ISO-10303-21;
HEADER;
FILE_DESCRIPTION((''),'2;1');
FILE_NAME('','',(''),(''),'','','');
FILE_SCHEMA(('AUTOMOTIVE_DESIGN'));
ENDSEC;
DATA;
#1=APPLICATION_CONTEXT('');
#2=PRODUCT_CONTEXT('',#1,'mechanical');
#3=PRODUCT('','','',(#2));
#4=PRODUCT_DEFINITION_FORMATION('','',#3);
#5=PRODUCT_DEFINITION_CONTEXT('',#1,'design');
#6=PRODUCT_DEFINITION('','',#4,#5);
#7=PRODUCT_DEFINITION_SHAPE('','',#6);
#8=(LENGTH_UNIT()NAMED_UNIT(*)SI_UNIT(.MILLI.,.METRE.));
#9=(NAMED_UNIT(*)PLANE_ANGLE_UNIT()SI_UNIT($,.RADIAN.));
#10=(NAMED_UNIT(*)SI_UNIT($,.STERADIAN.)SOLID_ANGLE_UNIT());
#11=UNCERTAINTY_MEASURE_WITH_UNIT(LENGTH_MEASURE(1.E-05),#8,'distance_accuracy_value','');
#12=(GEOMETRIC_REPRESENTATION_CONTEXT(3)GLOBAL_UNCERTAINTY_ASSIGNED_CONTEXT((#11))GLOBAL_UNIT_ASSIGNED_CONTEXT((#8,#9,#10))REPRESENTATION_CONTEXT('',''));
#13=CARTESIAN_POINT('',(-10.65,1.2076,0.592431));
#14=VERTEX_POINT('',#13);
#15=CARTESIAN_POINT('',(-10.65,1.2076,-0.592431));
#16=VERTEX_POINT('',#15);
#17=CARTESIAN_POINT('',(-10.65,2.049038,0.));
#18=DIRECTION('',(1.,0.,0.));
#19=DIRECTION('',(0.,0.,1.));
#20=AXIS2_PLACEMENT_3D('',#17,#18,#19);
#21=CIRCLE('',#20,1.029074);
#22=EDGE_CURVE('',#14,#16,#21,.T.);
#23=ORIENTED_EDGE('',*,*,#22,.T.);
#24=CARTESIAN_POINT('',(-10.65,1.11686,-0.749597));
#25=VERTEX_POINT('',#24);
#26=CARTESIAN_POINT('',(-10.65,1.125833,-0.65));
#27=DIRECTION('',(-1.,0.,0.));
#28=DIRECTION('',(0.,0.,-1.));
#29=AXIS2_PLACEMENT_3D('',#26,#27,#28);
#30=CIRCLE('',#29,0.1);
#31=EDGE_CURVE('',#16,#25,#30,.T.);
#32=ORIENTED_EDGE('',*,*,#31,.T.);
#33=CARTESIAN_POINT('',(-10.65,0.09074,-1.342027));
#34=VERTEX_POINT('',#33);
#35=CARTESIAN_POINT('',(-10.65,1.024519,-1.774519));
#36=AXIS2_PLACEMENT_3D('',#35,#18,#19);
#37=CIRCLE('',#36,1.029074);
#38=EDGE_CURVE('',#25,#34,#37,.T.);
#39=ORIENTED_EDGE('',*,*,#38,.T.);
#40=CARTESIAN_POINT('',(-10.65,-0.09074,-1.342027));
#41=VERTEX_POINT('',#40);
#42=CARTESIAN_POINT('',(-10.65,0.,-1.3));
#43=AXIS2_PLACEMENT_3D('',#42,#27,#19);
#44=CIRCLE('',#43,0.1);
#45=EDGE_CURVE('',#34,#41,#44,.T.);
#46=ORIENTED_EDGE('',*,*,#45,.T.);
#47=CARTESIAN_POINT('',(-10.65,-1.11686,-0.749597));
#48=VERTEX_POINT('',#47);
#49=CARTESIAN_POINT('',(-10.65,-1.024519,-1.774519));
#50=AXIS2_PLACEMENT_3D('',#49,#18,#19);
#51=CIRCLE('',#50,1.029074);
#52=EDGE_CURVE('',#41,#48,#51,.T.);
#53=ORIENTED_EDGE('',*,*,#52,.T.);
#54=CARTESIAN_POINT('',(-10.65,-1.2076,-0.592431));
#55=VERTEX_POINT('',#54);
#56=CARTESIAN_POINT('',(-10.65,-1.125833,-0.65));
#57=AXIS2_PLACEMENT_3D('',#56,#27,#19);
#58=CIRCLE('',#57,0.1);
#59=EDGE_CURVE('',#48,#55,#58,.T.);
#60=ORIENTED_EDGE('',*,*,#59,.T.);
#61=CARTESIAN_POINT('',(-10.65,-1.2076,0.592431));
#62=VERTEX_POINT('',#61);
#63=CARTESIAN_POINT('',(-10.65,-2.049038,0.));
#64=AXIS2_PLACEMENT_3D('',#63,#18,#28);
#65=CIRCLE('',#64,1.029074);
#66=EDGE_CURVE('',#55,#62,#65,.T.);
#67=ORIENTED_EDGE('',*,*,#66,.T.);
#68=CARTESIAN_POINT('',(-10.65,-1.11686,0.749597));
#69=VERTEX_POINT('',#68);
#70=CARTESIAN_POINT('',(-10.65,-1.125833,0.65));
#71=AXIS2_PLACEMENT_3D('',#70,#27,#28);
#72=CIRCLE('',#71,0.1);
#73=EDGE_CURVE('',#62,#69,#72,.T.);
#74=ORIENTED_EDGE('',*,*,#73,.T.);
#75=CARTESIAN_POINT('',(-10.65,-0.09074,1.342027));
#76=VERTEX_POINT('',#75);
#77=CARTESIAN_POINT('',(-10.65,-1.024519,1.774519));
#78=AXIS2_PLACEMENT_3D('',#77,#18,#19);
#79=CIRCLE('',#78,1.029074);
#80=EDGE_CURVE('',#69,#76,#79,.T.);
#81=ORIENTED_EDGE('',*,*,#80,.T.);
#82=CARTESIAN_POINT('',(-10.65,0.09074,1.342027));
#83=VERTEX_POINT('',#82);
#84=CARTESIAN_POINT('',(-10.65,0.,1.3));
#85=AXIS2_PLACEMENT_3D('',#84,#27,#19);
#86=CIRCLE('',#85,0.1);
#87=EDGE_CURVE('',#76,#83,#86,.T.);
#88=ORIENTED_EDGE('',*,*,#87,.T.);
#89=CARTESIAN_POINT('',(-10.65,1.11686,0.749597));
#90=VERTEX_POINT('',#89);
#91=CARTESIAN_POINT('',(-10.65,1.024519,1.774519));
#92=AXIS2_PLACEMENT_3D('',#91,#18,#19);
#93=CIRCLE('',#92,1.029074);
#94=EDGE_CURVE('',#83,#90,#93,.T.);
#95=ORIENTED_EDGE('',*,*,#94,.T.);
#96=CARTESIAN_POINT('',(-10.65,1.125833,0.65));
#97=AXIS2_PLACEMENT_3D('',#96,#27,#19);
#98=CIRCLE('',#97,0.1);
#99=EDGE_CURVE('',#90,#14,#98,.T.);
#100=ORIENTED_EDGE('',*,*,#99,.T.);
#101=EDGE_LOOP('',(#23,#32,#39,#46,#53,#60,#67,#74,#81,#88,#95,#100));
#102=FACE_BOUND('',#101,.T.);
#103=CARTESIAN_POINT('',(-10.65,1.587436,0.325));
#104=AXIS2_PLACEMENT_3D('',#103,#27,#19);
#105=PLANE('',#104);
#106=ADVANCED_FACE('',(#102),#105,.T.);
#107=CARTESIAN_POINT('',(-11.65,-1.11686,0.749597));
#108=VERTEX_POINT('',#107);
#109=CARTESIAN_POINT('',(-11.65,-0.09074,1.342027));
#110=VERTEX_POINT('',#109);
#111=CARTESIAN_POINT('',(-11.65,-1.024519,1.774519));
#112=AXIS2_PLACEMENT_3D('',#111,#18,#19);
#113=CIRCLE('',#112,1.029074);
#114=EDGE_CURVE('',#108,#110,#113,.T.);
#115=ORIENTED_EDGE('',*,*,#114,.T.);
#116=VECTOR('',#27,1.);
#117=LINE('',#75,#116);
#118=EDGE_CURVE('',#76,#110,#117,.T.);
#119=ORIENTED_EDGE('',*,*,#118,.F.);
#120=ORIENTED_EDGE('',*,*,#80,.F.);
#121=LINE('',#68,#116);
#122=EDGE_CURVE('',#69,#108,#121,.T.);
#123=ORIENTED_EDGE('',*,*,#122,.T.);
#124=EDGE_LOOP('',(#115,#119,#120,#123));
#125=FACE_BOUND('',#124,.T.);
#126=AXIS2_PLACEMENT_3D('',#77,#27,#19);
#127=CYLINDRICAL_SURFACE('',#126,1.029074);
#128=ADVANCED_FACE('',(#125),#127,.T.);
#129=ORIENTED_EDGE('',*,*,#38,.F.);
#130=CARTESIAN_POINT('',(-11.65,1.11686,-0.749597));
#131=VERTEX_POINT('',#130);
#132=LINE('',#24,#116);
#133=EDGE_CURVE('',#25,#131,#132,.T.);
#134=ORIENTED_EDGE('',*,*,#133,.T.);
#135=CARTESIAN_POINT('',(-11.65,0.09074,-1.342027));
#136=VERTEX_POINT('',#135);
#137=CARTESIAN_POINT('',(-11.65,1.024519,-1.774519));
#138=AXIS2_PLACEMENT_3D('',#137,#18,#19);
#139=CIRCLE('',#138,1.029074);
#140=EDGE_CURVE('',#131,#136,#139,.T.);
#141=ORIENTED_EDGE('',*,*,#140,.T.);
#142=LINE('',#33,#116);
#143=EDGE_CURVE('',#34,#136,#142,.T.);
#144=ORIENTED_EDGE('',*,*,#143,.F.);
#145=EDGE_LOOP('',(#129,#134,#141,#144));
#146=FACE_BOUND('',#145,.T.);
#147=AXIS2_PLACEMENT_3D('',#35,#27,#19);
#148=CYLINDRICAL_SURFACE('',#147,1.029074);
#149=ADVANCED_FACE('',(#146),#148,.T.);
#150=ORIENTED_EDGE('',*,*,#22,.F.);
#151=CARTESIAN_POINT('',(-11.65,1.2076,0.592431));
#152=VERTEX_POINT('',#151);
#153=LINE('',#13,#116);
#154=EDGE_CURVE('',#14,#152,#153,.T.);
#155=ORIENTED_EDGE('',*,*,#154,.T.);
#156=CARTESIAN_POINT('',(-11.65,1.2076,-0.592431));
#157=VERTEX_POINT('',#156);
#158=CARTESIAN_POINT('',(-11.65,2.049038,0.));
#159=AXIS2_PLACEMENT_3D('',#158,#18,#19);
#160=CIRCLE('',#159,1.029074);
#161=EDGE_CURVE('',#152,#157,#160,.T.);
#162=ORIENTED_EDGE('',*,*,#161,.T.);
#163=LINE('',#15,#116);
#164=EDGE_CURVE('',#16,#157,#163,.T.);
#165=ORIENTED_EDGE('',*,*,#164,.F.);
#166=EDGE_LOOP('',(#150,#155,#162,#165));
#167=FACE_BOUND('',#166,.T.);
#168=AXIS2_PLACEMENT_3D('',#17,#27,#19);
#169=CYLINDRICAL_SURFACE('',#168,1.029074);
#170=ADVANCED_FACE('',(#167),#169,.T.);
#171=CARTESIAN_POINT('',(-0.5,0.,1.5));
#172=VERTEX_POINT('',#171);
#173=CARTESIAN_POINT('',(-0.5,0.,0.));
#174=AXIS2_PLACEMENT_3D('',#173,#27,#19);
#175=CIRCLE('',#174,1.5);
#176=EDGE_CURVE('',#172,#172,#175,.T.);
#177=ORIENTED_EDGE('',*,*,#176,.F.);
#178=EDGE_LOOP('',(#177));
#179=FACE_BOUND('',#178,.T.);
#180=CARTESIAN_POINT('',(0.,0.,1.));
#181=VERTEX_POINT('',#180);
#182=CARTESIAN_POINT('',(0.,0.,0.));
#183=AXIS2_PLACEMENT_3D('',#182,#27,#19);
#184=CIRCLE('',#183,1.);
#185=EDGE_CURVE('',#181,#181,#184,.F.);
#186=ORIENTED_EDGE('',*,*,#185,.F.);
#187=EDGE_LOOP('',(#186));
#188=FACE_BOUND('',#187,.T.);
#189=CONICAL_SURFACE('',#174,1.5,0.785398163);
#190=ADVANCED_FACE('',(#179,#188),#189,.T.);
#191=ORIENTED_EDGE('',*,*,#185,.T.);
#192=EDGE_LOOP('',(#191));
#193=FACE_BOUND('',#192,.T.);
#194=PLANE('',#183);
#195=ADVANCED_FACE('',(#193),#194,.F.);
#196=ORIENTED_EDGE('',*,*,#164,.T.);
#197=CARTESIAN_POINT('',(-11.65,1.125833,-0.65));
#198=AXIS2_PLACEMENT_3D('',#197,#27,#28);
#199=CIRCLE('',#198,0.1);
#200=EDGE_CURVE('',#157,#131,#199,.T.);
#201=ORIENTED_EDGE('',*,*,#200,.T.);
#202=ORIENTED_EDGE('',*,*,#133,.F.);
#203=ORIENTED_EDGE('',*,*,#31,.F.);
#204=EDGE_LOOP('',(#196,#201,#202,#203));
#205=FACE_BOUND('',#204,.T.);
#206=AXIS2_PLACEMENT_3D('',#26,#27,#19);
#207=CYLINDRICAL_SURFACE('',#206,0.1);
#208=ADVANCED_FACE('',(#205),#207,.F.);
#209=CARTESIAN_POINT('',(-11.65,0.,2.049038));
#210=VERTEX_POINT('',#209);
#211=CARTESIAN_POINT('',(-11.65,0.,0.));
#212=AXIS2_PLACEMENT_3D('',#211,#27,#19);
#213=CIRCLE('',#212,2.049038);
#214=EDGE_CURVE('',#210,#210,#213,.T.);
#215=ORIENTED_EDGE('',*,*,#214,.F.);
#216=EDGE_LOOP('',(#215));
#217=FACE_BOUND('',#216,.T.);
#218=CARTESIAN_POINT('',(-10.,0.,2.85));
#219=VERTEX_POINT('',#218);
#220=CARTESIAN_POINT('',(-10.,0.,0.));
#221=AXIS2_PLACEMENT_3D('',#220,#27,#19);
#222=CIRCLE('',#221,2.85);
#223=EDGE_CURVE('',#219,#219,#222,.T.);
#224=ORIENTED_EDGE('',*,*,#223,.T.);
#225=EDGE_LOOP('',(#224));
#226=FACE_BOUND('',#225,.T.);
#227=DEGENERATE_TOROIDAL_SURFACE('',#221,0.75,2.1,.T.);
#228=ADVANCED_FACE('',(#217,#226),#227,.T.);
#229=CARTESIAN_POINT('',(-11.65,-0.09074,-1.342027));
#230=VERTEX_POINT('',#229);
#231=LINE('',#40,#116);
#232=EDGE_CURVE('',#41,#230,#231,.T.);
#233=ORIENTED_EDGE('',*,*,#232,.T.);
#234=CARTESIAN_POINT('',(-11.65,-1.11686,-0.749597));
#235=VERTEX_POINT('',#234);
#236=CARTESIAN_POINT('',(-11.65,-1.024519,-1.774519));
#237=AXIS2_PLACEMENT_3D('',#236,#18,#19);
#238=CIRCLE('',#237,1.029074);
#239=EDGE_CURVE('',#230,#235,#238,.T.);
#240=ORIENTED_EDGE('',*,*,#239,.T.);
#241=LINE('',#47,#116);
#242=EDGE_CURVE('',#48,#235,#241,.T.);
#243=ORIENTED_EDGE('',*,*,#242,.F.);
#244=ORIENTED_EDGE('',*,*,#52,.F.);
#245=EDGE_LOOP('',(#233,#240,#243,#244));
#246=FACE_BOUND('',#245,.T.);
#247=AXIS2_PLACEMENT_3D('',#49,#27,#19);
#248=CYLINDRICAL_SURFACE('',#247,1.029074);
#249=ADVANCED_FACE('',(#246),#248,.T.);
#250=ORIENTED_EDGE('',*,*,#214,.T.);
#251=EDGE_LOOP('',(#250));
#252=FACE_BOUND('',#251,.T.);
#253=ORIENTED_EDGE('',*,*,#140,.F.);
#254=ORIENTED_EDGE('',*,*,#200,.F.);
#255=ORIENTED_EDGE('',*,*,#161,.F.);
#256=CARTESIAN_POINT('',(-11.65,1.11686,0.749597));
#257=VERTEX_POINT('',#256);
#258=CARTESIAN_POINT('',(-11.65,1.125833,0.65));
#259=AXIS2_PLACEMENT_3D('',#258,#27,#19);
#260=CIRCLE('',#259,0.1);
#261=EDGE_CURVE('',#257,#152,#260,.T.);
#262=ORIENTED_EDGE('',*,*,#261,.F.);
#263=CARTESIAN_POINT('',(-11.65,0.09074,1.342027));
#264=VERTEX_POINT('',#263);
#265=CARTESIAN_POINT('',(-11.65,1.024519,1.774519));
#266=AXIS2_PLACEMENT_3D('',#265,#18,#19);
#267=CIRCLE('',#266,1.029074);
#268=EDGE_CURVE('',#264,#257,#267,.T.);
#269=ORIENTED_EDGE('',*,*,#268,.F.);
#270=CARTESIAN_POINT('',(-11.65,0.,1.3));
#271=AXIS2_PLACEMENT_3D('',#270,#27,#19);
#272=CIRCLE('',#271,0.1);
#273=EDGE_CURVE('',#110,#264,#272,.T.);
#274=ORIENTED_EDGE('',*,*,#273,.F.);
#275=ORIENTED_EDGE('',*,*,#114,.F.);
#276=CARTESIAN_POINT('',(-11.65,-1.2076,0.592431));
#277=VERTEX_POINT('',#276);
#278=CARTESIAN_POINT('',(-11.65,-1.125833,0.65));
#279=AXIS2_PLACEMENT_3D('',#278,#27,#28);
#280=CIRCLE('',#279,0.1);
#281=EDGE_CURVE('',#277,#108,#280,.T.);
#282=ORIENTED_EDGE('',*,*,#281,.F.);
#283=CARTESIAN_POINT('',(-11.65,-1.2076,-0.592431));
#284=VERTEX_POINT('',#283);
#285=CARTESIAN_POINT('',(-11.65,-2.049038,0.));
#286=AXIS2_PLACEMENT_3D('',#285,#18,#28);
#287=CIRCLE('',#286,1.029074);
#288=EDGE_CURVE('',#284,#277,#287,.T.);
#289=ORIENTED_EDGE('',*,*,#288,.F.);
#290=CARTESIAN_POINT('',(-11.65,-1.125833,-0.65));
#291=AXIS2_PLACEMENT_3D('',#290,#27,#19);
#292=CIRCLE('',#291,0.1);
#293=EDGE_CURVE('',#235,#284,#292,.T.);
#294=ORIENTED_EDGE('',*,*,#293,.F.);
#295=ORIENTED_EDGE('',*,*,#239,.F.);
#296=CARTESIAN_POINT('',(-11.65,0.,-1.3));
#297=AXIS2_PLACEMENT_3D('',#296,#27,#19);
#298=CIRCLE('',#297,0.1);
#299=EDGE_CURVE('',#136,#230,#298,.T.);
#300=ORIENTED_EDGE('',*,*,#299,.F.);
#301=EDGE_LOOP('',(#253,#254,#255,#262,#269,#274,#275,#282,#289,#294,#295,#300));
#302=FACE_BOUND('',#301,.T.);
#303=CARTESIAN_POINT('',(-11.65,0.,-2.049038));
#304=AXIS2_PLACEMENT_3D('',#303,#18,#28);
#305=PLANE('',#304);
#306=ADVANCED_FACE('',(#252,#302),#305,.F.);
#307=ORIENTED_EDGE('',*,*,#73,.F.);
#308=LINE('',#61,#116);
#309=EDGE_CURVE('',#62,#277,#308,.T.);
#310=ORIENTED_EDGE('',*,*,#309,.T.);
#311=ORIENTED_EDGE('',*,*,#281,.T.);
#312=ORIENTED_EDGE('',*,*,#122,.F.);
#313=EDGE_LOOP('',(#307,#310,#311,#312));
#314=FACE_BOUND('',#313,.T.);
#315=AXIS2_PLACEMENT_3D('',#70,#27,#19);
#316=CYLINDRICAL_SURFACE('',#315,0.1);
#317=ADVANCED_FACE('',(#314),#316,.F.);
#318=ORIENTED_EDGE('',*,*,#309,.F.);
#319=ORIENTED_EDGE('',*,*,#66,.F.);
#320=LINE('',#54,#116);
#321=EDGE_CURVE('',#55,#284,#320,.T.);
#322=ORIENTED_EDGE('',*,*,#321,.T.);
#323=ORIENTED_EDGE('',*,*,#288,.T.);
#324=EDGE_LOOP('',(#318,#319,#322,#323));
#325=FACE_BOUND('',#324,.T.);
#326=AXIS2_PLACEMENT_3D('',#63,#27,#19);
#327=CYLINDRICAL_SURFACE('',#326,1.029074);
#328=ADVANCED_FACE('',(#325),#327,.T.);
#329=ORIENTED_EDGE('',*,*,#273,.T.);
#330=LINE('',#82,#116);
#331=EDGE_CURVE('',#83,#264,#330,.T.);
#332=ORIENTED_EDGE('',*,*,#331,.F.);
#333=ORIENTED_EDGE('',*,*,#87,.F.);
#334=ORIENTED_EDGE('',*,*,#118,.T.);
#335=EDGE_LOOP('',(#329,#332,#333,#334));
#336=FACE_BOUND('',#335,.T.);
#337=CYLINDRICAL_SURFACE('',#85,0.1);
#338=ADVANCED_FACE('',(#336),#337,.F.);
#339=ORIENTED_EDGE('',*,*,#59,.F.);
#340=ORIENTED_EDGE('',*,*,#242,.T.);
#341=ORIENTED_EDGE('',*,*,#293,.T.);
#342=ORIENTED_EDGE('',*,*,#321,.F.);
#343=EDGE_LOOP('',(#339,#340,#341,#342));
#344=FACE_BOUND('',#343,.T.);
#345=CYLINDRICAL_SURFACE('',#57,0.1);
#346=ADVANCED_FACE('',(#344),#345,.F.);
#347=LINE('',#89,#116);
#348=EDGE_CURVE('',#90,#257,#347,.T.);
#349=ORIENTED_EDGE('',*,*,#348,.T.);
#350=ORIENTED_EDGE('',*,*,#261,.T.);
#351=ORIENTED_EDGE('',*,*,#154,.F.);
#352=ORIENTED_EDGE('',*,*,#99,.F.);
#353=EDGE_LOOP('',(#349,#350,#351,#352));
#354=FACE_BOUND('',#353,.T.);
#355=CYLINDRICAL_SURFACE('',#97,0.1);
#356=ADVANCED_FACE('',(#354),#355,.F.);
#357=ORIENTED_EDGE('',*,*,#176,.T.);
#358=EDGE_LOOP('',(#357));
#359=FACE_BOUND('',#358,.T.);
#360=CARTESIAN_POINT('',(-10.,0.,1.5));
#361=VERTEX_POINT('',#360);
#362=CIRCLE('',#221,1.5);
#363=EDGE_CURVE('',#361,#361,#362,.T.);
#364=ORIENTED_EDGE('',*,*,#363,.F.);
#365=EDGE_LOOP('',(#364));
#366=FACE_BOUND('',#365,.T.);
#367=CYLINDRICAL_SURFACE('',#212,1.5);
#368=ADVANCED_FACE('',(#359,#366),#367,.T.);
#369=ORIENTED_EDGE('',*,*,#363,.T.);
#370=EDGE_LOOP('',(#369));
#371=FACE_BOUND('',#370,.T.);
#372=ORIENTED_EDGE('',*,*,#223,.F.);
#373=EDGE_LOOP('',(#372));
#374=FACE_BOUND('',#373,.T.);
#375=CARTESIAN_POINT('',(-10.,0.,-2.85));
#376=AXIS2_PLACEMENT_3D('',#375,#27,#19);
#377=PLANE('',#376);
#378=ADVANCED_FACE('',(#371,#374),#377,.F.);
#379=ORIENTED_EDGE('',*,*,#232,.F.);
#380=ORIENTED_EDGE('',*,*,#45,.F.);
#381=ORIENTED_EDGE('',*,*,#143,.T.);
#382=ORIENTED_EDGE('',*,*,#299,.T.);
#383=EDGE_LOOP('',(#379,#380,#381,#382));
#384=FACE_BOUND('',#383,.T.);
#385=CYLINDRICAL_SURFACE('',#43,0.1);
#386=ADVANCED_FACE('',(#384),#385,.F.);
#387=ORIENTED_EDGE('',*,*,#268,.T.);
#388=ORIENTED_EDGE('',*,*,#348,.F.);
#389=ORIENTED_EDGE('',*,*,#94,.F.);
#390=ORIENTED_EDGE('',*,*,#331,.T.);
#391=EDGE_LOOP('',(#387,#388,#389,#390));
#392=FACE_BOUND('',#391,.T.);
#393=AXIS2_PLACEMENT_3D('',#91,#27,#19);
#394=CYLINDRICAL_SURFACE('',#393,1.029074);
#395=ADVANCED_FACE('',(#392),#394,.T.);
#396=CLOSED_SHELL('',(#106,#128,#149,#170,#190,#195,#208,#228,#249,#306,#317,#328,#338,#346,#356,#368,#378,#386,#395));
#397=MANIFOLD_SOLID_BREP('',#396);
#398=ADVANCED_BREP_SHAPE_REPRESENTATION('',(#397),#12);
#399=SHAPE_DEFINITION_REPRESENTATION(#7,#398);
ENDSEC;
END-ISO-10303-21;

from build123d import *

# Parameters (mm, degrees)
CHAMFER1_SIZE      = 0.5
CUT_EXTRUDE1_DEPTH = 1


with BuildPart() as part:
    # Sketch2 → Revolve1 (revolve)
    with BuildSketch(Plane(origin=(0, 0, 0), x_dir=(1, 0, 0), z_dir=(0, 1, 0)), mode=Mode.PRIVATE) as revolve1_sk:
        with BuildLine():
            Line((0, 0), (0, 1.5))
            Line((0, 1.5), (-10, 1.5))
            Line((-10, 1.5), (-10, 2.85))
            ThreePointArc((-10, 2.85), (-10.917065968, 2.639177072), (-11.65, 2.049038106))
            Line((-11.65, 2.049038106), (-11.65, 0))
            Line((-11.65, 0), (0, 0))
        make_face()
    revolve(revolve1_sk.sketch.rotate(Axis((-11.65, 0, 0), (1, 0, 0)), 180), axis=Axis((-11.65, 0, 0), (1, 0, 0)))

    # Chamfer1
    chamfer1_edges = [part.edges().sort_by_distance(p)[0] for p in [
        (0, 0, -1.5),
    ]]
    chamfer(chamfer1_edges, length=CHAMFER1_SIZE)

    # Sketch4 → Cut-Extrude1 (cut)
    with BuildSketch(Plane.ZY.offset(11.65)):
        with BuildLine():
            ThreePointArc((-1.342027284, 0.090739778), (-0.883315009, 0.509982158), (-0.749596595, 1.116859832))
            ThreePointArc((-0.749596595, 1.116859832), (-0.7, 1.212435565), (-0.592430689, 1.20759961))
            ThreePointArc((-0.592430689, 1.20759961), (0, 1.019964317), (0.592430689, 1.20759961))
            ThreePointArc((0.592430689, 1.20759961), (0.7, 1.212435565), (0.749596595, 1.116859832))
            ThreePointArc((0.749596595, 1.116859832), (0.883315009, 0.509982158), (1.342027284, 0.090739778))
            ThreePointArc((1.342027284, 0.090739778), (1.4, 0), (1.342027284, -0.090739778))
            ThreePointArc((1.342027284, -0.090739778), (0.883315009, -0.509982158), (0.749596595, -1.116859832))
            ThreePointArc((0.749596595, -1.116859832), (0.7, -1.212435565), (0.592430689, -1.20759961))
            ThreePointArc((0.592430689, -1.20759961), (0, -1.019964317), (-0.592430689, -1.20759961))
            ThreePointArc((-0.592430689, -1.20759961), (-0.7, -1.212435565), (-0.749596595, -1.116859832))
            ThreePointArc((-0.749596595, -1.116859832), (-0.883315009, -0.509982158), (-1.342027284, -0.090739778))
            ThreePointArc((-1.342027284, -0.090739778), (-1.4, 0), (-1.342027284, 0.090739778))
        make_face()
    extrude(amount=-CUT_EXTRUDE1_DEPTH, mode=Mode.SUBTRACT)


solid = part.part
